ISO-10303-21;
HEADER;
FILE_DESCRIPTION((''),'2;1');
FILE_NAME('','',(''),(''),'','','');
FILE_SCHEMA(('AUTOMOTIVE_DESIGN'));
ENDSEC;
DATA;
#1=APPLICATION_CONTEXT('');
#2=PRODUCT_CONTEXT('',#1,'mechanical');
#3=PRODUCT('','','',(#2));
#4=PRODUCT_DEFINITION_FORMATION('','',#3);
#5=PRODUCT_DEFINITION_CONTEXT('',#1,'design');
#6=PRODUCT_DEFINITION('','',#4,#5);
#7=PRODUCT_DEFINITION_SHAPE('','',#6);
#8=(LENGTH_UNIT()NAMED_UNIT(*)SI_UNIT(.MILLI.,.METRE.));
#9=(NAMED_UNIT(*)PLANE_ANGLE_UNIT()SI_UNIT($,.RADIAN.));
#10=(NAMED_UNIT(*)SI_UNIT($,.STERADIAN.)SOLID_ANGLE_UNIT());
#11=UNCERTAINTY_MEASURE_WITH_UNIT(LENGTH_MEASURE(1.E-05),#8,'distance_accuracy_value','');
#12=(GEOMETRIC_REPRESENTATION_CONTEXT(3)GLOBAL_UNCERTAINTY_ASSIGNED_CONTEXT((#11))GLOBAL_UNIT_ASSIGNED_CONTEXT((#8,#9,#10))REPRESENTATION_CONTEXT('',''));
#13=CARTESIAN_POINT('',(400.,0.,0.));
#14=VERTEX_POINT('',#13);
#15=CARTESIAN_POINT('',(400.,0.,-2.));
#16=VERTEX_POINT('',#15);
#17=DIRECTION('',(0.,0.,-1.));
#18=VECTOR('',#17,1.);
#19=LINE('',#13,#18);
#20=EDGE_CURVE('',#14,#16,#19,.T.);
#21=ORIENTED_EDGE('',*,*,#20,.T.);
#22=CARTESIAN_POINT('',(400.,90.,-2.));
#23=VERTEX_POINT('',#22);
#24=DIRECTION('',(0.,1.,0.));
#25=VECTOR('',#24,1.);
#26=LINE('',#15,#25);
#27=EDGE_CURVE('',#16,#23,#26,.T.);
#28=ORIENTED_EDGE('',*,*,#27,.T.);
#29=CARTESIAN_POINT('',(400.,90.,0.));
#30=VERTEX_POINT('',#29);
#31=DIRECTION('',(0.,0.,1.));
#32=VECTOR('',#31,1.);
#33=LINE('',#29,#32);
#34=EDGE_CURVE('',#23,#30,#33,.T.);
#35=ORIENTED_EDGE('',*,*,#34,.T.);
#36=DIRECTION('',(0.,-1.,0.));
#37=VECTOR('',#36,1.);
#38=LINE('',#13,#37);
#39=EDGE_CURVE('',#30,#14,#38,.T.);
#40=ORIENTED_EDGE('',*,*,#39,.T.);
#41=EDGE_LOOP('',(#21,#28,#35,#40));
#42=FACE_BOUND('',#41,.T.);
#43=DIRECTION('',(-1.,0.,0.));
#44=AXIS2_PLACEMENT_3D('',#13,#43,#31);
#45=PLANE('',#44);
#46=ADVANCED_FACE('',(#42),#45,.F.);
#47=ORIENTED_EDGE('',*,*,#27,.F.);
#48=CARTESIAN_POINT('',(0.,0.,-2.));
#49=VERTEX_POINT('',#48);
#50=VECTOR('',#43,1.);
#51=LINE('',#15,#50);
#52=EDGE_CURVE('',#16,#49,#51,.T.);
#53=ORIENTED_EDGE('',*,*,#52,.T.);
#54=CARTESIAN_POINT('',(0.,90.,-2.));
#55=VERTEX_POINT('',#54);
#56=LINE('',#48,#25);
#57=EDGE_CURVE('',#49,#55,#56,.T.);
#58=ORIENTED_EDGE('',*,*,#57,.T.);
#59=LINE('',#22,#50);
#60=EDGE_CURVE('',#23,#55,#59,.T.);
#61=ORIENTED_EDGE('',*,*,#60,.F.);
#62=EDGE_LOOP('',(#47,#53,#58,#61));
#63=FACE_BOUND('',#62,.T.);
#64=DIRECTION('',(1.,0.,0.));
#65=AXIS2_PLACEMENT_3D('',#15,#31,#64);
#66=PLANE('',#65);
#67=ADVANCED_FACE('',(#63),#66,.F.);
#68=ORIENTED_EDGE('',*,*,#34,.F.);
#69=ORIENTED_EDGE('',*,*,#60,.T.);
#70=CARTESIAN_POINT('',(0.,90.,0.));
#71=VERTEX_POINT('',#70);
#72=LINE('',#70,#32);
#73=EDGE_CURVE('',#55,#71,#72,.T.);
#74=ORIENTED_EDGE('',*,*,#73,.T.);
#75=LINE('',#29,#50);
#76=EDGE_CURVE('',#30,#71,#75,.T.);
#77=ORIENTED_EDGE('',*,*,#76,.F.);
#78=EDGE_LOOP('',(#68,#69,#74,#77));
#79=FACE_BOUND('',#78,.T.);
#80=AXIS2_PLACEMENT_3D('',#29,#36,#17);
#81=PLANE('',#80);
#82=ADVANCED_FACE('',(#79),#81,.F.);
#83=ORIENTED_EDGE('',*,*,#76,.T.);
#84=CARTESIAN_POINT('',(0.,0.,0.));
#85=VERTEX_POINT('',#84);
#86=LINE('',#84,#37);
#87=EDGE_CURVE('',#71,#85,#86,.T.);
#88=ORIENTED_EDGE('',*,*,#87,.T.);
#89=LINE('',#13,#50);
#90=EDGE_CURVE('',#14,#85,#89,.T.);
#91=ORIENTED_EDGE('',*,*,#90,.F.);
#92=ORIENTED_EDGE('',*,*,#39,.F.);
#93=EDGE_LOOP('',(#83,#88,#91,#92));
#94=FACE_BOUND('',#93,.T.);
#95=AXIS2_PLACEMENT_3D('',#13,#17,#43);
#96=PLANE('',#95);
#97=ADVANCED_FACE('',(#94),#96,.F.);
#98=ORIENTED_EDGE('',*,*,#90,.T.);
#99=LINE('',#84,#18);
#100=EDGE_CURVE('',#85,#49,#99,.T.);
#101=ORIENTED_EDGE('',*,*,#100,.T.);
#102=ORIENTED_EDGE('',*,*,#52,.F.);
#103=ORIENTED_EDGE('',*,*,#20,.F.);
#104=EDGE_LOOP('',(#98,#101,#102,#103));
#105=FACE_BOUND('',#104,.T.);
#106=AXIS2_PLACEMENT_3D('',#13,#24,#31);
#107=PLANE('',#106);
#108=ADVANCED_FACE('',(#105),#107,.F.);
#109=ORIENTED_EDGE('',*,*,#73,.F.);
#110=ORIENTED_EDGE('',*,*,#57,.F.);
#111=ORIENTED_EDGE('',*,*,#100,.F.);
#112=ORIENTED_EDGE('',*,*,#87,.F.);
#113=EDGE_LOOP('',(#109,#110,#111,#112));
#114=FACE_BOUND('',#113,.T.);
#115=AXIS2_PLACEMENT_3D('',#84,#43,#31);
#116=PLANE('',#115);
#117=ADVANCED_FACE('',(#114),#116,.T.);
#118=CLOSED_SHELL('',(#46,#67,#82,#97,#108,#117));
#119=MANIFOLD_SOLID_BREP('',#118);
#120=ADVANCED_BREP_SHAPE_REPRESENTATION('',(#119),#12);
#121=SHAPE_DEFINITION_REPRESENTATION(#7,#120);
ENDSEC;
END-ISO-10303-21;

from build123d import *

# Parameters (mm, degrees)
SKETCH2_W           = 2
SKETCH2_H           = 90
BOSS_EXTRUDE1_DEPTH = 400


with BuildPart() as part:
    # Sketch2 → Boss-Extrude1 (new body)
    with BuildSketch(Plane(origin=(0, 0, 0), x_dir=(0, 0, -1), z_dir=(1, 0, 0))):
        with Locations((1, 45)):
            Rectangle(SKETCH2_W, SKETCH2_H)
    extrude(amount=BOSS_EXTRUDE1_DEPTH)


solid = part.part
